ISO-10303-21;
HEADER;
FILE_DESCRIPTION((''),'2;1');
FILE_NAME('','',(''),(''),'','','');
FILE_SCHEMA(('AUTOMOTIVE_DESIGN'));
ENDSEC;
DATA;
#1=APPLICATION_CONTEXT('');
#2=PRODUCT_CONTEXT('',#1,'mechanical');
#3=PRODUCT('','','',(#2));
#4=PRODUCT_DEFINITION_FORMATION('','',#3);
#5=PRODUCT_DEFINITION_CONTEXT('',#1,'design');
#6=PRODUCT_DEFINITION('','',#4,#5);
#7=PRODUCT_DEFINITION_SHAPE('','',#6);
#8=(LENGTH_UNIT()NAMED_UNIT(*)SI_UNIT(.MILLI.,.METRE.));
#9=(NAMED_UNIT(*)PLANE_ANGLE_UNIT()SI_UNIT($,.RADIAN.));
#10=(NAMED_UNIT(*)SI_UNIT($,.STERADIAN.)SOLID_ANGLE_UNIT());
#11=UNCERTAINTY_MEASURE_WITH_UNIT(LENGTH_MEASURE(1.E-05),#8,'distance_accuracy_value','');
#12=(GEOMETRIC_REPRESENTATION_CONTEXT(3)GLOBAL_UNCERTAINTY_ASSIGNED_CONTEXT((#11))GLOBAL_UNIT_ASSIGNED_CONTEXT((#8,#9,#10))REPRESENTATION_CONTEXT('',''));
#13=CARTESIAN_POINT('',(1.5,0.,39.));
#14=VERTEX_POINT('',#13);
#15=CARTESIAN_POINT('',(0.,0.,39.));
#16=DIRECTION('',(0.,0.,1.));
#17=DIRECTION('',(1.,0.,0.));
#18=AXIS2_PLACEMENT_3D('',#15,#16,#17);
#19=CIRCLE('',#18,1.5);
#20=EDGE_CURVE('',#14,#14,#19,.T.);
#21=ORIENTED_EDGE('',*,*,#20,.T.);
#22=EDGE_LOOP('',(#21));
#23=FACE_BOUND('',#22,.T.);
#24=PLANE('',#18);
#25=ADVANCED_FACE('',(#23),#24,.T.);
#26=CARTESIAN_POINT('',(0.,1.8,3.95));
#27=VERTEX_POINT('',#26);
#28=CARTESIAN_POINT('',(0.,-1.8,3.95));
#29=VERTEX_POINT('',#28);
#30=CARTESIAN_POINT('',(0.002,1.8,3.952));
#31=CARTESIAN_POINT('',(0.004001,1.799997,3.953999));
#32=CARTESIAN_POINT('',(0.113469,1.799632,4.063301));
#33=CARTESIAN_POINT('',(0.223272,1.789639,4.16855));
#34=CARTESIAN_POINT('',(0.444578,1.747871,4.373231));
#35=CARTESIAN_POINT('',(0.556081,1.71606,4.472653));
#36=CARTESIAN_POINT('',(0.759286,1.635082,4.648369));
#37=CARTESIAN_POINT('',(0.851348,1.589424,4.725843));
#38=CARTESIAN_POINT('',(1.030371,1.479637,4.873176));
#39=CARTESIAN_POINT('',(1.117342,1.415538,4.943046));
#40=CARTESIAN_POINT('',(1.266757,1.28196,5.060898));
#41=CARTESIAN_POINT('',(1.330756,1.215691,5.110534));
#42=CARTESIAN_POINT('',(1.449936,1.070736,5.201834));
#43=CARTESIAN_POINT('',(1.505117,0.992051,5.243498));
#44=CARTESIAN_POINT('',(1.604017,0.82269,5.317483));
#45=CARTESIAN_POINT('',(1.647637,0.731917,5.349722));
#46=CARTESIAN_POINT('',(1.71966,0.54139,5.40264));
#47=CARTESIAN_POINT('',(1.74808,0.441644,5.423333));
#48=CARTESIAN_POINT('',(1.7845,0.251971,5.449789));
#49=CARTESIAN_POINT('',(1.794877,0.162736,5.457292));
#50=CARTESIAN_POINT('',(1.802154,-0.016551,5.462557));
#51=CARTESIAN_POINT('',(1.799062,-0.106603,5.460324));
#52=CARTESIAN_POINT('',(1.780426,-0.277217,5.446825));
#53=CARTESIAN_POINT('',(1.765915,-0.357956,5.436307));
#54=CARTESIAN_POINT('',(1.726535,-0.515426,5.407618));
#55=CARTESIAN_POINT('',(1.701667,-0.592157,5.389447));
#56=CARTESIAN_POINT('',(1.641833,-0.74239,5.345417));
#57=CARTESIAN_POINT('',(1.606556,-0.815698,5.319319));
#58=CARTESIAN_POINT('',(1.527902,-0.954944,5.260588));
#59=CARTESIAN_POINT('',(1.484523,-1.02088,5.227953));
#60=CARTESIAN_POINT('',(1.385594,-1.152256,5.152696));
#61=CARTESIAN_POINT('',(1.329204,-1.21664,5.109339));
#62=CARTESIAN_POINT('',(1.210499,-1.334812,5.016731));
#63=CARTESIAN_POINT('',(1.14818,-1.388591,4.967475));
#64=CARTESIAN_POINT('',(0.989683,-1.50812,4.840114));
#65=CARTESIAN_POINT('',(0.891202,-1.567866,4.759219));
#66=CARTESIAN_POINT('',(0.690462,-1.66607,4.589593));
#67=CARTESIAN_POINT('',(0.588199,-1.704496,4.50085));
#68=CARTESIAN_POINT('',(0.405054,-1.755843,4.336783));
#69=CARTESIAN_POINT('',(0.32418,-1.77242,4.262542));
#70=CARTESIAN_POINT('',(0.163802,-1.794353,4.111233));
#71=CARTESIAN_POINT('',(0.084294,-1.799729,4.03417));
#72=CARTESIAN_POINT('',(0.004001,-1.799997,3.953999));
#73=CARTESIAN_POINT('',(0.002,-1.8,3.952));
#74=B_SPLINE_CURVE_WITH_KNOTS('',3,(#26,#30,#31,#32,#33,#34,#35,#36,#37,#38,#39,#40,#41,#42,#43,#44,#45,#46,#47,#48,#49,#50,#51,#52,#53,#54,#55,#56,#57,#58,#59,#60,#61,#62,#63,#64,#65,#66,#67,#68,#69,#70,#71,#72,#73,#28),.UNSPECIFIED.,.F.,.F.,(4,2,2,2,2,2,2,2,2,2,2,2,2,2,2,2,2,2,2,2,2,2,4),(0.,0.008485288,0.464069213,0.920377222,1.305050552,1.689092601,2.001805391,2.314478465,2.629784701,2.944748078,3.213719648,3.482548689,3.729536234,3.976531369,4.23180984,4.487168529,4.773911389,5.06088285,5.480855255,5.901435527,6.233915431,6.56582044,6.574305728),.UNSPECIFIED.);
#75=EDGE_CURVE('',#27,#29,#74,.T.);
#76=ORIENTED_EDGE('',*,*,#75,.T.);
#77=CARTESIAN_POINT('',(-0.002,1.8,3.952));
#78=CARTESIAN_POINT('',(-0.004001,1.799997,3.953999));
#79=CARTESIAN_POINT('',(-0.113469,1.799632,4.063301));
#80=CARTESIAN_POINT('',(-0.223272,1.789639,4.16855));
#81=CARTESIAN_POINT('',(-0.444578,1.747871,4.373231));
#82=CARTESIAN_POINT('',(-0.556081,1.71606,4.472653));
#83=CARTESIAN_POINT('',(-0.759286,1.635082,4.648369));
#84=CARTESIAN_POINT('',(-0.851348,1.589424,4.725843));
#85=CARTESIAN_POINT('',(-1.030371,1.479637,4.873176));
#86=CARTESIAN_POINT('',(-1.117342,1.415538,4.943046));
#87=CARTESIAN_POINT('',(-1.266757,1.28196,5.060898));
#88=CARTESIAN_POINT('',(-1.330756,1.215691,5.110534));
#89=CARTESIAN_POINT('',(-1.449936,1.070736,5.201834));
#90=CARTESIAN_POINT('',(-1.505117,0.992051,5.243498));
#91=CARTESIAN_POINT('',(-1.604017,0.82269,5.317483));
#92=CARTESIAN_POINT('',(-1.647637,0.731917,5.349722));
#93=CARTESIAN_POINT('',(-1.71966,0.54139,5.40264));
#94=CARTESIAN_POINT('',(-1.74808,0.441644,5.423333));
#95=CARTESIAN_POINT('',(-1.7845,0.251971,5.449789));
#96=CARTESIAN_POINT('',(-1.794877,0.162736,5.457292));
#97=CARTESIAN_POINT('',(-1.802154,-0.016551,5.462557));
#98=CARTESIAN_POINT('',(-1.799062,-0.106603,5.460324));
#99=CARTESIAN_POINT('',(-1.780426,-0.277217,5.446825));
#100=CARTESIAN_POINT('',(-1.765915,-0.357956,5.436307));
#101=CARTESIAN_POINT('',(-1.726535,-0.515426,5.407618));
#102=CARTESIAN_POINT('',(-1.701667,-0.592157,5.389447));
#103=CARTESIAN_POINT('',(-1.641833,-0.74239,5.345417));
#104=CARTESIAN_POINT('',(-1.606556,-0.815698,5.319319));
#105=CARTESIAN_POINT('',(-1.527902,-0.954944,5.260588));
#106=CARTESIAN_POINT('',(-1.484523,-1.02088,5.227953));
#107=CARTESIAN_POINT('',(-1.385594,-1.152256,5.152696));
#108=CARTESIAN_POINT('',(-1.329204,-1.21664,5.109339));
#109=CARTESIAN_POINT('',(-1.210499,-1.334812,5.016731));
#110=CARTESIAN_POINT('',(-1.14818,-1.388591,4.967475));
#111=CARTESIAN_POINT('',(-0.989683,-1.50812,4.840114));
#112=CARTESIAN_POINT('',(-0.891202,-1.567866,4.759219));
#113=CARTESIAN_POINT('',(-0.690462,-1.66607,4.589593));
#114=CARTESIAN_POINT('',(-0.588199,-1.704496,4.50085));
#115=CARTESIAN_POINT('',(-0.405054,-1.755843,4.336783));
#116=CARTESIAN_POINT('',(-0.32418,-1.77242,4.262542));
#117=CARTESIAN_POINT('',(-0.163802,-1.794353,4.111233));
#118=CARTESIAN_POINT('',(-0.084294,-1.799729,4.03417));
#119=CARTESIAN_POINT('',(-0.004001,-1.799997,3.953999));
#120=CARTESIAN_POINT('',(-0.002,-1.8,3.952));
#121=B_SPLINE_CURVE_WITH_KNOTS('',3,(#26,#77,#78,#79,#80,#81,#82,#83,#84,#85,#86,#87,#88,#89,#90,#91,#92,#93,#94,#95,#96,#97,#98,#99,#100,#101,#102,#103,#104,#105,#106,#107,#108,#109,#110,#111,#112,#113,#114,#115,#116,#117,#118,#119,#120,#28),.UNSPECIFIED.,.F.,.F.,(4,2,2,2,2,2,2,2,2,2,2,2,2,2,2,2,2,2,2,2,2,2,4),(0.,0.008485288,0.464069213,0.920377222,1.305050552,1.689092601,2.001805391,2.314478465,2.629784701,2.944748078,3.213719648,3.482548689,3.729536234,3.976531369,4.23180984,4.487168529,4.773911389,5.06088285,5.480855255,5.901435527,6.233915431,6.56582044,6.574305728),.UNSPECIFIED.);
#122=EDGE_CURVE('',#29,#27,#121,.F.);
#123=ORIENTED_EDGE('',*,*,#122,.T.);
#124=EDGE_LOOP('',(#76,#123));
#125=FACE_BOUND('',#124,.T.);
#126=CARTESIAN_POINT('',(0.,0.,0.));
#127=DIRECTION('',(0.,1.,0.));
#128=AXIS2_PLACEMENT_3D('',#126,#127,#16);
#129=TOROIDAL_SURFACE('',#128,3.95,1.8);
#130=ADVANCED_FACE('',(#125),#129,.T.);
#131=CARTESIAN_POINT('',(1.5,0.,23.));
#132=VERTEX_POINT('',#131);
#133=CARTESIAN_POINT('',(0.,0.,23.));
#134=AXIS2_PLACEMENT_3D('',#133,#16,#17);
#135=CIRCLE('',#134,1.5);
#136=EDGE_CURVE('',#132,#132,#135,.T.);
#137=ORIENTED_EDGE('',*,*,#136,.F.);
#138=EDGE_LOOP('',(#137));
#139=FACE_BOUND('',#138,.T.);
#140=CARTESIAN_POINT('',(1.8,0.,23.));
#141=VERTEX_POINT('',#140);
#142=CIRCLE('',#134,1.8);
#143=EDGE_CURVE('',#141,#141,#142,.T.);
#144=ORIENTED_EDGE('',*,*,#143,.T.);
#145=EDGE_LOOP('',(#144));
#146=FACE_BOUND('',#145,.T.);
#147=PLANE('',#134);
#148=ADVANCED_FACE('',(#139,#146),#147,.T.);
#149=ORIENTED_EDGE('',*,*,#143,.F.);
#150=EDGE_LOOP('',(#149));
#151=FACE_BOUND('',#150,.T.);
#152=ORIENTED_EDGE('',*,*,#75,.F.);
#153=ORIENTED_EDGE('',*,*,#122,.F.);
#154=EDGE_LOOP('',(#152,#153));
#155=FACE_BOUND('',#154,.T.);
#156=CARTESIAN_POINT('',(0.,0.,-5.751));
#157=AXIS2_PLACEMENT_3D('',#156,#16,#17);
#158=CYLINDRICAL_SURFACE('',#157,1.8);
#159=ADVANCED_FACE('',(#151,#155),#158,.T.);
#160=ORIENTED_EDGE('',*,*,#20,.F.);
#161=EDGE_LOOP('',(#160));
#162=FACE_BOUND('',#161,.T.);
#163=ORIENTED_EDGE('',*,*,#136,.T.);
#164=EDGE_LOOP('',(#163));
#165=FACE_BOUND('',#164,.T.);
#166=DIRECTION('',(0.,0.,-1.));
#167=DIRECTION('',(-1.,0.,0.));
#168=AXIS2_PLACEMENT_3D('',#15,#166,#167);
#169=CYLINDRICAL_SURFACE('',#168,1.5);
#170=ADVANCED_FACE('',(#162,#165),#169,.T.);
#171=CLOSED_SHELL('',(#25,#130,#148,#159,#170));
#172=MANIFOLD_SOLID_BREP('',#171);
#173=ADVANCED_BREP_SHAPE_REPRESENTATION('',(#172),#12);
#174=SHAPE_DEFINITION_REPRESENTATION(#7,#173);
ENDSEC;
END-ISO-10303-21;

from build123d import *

# Parameters (mm, degrees)
SKETCH_1_R      = 1.8
EXTRUDE_1_REACH = 30.75
SKETCH_2_R      = 1.8
SKETCH_3_R      = 1.5
EXTRUDE_2_DEPTH = 16


with BuildPart() as part:
    # 草图1 → 旋转1 (revolve)
    with BuildSketch(Plane.XY):
        with Locations((-3.95, 0)):
            Circle(SKETCH_1_R)
    revolve(axis=Axis((0, 9.659818304, 0), (0, -1, 0)))

    # 草图2 → 凸台-拉伸1 (add, up to next)
    with BuildSketch(Plane.XY.offset(23), mode=Mode.PRIVATE) as extrude_1_sk1:
        Circle(SKETCH_2_R)
    extrude_1_tool1 = extrude(extrude_1_sk1.sketch, amount=-EXTRUDE_1_REACH, mode=Mode.PRIVATE) - part.part
    add(extrude_1_tool1.solids().sort_by_distance((0, 0, 23))[0])

    # 草图3 → 凸台-拉伸2 (add)
    with BuildSketch(Plane.XY.offset(23)):
        Circle(SKETCH_3_R)
    extrude(amount=EXTRUDE_2_DEPTH)


solid = part.part
